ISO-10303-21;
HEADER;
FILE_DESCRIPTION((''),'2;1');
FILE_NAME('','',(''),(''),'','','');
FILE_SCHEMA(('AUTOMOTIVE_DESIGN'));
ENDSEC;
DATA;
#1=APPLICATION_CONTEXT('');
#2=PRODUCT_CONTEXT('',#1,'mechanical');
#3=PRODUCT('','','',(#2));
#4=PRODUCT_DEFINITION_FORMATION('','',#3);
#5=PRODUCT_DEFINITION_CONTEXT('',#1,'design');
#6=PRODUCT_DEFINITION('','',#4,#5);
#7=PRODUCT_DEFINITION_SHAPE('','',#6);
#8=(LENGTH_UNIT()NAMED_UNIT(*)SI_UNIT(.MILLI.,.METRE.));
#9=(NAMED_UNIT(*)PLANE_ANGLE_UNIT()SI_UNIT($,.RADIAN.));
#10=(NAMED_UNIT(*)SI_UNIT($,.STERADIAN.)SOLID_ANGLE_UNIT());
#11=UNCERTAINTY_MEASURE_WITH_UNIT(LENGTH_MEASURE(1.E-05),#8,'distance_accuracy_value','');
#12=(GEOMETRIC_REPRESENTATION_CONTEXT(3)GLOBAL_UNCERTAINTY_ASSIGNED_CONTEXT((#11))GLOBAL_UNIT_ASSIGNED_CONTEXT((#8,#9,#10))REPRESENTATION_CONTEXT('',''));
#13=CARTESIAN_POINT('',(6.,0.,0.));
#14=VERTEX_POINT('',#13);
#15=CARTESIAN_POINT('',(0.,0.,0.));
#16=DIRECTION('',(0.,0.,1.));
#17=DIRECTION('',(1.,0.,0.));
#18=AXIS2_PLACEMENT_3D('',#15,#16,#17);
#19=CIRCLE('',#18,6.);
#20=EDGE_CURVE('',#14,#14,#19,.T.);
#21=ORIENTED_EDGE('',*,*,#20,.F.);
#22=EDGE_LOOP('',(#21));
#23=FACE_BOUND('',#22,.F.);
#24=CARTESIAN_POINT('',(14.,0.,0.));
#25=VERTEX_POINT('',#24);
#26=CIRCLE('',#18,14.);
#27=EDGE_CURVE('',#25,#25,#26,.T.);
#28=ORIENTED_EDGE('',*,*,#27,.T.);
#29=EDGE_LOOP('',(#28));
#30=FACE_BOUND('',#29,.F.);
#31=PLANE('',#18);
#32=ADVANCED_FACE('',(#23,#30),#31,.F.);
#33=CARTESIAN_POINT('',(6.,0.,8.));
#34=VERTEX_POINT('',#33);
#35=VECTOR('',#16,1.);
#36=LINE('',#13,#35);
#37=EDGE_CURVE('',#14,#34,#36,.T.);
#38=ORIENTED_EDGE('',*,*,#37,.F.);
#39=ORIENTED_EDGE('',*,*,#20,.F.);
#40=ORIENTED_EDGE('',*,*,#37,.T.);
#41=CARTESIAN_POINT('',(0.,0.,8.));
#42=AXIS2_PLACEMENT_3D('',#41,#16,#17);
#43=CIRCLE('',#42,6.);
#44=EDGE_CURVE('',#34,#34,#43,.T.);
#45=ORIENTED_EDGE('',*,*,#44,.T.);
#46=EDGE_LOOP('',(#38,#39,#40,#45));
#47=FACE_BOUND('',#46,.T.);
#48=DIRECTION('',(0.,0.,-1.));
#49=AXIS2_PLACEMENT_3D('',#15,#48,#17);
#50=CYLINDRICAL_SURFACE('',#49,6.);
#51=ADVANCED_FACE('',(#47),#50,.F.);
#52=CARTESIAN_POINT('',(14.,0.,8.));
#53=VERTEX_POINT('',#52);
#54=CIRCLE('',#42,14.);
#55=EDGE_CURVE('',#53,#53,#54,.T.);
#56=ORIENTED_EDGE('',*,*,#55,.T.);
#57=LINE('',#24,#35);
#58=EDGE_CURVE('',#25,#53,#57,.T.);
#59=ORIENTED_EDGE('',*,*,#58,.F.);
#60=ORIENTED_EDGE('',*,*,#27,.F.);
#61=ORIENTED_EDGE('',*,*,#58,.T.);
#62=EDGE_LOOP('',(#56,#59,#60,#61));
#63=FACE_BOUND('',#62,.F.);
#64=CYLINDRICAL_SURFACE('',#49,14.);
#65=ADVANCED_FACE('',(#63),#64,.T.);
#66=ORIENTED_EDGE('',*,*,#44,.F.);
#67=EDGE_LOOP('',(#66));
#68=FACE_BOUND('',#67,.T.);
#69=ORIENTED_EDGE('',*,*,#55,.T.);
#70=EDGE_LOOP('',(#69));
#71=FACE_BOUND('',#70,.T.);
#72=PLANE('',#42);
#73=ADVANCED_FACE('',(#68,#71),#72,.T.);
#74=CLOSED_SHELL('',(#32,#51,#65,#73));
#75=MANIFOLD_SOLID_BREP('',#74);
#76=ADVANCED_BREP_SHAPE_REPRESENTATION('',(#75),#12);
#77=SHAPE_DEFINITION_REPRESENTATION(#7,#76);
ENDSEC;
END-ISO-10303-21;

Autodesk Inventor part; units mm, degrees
ref_plane "YZ Plane" through (0, 0, 0) normal (1, 0, 0) x (0, 1, 0)
ref_plane "XZ Plane" through (0, 0, 0) normal (0, 1, 0) x (-1, 0, 0)
ref_plane "XY Plane" through (0, 0, 0) normal (0, 0, 1) x (1, 0, 0)
sketch "Sketch1" plane through (0, 0, 0) normal (0, 0, 1) x (1, 0, 0)
  circle A0 centre (0, 0) radius 14
  circle A1 centre (0, 0) radius 6
  dimension "d0" = 28
  dimension "d2" = 12
extrude "Extrusion1" add sketch "Sketch1" along normal blind 8
properties part number "Ball Bearing 12x28x8" material "Steel"
